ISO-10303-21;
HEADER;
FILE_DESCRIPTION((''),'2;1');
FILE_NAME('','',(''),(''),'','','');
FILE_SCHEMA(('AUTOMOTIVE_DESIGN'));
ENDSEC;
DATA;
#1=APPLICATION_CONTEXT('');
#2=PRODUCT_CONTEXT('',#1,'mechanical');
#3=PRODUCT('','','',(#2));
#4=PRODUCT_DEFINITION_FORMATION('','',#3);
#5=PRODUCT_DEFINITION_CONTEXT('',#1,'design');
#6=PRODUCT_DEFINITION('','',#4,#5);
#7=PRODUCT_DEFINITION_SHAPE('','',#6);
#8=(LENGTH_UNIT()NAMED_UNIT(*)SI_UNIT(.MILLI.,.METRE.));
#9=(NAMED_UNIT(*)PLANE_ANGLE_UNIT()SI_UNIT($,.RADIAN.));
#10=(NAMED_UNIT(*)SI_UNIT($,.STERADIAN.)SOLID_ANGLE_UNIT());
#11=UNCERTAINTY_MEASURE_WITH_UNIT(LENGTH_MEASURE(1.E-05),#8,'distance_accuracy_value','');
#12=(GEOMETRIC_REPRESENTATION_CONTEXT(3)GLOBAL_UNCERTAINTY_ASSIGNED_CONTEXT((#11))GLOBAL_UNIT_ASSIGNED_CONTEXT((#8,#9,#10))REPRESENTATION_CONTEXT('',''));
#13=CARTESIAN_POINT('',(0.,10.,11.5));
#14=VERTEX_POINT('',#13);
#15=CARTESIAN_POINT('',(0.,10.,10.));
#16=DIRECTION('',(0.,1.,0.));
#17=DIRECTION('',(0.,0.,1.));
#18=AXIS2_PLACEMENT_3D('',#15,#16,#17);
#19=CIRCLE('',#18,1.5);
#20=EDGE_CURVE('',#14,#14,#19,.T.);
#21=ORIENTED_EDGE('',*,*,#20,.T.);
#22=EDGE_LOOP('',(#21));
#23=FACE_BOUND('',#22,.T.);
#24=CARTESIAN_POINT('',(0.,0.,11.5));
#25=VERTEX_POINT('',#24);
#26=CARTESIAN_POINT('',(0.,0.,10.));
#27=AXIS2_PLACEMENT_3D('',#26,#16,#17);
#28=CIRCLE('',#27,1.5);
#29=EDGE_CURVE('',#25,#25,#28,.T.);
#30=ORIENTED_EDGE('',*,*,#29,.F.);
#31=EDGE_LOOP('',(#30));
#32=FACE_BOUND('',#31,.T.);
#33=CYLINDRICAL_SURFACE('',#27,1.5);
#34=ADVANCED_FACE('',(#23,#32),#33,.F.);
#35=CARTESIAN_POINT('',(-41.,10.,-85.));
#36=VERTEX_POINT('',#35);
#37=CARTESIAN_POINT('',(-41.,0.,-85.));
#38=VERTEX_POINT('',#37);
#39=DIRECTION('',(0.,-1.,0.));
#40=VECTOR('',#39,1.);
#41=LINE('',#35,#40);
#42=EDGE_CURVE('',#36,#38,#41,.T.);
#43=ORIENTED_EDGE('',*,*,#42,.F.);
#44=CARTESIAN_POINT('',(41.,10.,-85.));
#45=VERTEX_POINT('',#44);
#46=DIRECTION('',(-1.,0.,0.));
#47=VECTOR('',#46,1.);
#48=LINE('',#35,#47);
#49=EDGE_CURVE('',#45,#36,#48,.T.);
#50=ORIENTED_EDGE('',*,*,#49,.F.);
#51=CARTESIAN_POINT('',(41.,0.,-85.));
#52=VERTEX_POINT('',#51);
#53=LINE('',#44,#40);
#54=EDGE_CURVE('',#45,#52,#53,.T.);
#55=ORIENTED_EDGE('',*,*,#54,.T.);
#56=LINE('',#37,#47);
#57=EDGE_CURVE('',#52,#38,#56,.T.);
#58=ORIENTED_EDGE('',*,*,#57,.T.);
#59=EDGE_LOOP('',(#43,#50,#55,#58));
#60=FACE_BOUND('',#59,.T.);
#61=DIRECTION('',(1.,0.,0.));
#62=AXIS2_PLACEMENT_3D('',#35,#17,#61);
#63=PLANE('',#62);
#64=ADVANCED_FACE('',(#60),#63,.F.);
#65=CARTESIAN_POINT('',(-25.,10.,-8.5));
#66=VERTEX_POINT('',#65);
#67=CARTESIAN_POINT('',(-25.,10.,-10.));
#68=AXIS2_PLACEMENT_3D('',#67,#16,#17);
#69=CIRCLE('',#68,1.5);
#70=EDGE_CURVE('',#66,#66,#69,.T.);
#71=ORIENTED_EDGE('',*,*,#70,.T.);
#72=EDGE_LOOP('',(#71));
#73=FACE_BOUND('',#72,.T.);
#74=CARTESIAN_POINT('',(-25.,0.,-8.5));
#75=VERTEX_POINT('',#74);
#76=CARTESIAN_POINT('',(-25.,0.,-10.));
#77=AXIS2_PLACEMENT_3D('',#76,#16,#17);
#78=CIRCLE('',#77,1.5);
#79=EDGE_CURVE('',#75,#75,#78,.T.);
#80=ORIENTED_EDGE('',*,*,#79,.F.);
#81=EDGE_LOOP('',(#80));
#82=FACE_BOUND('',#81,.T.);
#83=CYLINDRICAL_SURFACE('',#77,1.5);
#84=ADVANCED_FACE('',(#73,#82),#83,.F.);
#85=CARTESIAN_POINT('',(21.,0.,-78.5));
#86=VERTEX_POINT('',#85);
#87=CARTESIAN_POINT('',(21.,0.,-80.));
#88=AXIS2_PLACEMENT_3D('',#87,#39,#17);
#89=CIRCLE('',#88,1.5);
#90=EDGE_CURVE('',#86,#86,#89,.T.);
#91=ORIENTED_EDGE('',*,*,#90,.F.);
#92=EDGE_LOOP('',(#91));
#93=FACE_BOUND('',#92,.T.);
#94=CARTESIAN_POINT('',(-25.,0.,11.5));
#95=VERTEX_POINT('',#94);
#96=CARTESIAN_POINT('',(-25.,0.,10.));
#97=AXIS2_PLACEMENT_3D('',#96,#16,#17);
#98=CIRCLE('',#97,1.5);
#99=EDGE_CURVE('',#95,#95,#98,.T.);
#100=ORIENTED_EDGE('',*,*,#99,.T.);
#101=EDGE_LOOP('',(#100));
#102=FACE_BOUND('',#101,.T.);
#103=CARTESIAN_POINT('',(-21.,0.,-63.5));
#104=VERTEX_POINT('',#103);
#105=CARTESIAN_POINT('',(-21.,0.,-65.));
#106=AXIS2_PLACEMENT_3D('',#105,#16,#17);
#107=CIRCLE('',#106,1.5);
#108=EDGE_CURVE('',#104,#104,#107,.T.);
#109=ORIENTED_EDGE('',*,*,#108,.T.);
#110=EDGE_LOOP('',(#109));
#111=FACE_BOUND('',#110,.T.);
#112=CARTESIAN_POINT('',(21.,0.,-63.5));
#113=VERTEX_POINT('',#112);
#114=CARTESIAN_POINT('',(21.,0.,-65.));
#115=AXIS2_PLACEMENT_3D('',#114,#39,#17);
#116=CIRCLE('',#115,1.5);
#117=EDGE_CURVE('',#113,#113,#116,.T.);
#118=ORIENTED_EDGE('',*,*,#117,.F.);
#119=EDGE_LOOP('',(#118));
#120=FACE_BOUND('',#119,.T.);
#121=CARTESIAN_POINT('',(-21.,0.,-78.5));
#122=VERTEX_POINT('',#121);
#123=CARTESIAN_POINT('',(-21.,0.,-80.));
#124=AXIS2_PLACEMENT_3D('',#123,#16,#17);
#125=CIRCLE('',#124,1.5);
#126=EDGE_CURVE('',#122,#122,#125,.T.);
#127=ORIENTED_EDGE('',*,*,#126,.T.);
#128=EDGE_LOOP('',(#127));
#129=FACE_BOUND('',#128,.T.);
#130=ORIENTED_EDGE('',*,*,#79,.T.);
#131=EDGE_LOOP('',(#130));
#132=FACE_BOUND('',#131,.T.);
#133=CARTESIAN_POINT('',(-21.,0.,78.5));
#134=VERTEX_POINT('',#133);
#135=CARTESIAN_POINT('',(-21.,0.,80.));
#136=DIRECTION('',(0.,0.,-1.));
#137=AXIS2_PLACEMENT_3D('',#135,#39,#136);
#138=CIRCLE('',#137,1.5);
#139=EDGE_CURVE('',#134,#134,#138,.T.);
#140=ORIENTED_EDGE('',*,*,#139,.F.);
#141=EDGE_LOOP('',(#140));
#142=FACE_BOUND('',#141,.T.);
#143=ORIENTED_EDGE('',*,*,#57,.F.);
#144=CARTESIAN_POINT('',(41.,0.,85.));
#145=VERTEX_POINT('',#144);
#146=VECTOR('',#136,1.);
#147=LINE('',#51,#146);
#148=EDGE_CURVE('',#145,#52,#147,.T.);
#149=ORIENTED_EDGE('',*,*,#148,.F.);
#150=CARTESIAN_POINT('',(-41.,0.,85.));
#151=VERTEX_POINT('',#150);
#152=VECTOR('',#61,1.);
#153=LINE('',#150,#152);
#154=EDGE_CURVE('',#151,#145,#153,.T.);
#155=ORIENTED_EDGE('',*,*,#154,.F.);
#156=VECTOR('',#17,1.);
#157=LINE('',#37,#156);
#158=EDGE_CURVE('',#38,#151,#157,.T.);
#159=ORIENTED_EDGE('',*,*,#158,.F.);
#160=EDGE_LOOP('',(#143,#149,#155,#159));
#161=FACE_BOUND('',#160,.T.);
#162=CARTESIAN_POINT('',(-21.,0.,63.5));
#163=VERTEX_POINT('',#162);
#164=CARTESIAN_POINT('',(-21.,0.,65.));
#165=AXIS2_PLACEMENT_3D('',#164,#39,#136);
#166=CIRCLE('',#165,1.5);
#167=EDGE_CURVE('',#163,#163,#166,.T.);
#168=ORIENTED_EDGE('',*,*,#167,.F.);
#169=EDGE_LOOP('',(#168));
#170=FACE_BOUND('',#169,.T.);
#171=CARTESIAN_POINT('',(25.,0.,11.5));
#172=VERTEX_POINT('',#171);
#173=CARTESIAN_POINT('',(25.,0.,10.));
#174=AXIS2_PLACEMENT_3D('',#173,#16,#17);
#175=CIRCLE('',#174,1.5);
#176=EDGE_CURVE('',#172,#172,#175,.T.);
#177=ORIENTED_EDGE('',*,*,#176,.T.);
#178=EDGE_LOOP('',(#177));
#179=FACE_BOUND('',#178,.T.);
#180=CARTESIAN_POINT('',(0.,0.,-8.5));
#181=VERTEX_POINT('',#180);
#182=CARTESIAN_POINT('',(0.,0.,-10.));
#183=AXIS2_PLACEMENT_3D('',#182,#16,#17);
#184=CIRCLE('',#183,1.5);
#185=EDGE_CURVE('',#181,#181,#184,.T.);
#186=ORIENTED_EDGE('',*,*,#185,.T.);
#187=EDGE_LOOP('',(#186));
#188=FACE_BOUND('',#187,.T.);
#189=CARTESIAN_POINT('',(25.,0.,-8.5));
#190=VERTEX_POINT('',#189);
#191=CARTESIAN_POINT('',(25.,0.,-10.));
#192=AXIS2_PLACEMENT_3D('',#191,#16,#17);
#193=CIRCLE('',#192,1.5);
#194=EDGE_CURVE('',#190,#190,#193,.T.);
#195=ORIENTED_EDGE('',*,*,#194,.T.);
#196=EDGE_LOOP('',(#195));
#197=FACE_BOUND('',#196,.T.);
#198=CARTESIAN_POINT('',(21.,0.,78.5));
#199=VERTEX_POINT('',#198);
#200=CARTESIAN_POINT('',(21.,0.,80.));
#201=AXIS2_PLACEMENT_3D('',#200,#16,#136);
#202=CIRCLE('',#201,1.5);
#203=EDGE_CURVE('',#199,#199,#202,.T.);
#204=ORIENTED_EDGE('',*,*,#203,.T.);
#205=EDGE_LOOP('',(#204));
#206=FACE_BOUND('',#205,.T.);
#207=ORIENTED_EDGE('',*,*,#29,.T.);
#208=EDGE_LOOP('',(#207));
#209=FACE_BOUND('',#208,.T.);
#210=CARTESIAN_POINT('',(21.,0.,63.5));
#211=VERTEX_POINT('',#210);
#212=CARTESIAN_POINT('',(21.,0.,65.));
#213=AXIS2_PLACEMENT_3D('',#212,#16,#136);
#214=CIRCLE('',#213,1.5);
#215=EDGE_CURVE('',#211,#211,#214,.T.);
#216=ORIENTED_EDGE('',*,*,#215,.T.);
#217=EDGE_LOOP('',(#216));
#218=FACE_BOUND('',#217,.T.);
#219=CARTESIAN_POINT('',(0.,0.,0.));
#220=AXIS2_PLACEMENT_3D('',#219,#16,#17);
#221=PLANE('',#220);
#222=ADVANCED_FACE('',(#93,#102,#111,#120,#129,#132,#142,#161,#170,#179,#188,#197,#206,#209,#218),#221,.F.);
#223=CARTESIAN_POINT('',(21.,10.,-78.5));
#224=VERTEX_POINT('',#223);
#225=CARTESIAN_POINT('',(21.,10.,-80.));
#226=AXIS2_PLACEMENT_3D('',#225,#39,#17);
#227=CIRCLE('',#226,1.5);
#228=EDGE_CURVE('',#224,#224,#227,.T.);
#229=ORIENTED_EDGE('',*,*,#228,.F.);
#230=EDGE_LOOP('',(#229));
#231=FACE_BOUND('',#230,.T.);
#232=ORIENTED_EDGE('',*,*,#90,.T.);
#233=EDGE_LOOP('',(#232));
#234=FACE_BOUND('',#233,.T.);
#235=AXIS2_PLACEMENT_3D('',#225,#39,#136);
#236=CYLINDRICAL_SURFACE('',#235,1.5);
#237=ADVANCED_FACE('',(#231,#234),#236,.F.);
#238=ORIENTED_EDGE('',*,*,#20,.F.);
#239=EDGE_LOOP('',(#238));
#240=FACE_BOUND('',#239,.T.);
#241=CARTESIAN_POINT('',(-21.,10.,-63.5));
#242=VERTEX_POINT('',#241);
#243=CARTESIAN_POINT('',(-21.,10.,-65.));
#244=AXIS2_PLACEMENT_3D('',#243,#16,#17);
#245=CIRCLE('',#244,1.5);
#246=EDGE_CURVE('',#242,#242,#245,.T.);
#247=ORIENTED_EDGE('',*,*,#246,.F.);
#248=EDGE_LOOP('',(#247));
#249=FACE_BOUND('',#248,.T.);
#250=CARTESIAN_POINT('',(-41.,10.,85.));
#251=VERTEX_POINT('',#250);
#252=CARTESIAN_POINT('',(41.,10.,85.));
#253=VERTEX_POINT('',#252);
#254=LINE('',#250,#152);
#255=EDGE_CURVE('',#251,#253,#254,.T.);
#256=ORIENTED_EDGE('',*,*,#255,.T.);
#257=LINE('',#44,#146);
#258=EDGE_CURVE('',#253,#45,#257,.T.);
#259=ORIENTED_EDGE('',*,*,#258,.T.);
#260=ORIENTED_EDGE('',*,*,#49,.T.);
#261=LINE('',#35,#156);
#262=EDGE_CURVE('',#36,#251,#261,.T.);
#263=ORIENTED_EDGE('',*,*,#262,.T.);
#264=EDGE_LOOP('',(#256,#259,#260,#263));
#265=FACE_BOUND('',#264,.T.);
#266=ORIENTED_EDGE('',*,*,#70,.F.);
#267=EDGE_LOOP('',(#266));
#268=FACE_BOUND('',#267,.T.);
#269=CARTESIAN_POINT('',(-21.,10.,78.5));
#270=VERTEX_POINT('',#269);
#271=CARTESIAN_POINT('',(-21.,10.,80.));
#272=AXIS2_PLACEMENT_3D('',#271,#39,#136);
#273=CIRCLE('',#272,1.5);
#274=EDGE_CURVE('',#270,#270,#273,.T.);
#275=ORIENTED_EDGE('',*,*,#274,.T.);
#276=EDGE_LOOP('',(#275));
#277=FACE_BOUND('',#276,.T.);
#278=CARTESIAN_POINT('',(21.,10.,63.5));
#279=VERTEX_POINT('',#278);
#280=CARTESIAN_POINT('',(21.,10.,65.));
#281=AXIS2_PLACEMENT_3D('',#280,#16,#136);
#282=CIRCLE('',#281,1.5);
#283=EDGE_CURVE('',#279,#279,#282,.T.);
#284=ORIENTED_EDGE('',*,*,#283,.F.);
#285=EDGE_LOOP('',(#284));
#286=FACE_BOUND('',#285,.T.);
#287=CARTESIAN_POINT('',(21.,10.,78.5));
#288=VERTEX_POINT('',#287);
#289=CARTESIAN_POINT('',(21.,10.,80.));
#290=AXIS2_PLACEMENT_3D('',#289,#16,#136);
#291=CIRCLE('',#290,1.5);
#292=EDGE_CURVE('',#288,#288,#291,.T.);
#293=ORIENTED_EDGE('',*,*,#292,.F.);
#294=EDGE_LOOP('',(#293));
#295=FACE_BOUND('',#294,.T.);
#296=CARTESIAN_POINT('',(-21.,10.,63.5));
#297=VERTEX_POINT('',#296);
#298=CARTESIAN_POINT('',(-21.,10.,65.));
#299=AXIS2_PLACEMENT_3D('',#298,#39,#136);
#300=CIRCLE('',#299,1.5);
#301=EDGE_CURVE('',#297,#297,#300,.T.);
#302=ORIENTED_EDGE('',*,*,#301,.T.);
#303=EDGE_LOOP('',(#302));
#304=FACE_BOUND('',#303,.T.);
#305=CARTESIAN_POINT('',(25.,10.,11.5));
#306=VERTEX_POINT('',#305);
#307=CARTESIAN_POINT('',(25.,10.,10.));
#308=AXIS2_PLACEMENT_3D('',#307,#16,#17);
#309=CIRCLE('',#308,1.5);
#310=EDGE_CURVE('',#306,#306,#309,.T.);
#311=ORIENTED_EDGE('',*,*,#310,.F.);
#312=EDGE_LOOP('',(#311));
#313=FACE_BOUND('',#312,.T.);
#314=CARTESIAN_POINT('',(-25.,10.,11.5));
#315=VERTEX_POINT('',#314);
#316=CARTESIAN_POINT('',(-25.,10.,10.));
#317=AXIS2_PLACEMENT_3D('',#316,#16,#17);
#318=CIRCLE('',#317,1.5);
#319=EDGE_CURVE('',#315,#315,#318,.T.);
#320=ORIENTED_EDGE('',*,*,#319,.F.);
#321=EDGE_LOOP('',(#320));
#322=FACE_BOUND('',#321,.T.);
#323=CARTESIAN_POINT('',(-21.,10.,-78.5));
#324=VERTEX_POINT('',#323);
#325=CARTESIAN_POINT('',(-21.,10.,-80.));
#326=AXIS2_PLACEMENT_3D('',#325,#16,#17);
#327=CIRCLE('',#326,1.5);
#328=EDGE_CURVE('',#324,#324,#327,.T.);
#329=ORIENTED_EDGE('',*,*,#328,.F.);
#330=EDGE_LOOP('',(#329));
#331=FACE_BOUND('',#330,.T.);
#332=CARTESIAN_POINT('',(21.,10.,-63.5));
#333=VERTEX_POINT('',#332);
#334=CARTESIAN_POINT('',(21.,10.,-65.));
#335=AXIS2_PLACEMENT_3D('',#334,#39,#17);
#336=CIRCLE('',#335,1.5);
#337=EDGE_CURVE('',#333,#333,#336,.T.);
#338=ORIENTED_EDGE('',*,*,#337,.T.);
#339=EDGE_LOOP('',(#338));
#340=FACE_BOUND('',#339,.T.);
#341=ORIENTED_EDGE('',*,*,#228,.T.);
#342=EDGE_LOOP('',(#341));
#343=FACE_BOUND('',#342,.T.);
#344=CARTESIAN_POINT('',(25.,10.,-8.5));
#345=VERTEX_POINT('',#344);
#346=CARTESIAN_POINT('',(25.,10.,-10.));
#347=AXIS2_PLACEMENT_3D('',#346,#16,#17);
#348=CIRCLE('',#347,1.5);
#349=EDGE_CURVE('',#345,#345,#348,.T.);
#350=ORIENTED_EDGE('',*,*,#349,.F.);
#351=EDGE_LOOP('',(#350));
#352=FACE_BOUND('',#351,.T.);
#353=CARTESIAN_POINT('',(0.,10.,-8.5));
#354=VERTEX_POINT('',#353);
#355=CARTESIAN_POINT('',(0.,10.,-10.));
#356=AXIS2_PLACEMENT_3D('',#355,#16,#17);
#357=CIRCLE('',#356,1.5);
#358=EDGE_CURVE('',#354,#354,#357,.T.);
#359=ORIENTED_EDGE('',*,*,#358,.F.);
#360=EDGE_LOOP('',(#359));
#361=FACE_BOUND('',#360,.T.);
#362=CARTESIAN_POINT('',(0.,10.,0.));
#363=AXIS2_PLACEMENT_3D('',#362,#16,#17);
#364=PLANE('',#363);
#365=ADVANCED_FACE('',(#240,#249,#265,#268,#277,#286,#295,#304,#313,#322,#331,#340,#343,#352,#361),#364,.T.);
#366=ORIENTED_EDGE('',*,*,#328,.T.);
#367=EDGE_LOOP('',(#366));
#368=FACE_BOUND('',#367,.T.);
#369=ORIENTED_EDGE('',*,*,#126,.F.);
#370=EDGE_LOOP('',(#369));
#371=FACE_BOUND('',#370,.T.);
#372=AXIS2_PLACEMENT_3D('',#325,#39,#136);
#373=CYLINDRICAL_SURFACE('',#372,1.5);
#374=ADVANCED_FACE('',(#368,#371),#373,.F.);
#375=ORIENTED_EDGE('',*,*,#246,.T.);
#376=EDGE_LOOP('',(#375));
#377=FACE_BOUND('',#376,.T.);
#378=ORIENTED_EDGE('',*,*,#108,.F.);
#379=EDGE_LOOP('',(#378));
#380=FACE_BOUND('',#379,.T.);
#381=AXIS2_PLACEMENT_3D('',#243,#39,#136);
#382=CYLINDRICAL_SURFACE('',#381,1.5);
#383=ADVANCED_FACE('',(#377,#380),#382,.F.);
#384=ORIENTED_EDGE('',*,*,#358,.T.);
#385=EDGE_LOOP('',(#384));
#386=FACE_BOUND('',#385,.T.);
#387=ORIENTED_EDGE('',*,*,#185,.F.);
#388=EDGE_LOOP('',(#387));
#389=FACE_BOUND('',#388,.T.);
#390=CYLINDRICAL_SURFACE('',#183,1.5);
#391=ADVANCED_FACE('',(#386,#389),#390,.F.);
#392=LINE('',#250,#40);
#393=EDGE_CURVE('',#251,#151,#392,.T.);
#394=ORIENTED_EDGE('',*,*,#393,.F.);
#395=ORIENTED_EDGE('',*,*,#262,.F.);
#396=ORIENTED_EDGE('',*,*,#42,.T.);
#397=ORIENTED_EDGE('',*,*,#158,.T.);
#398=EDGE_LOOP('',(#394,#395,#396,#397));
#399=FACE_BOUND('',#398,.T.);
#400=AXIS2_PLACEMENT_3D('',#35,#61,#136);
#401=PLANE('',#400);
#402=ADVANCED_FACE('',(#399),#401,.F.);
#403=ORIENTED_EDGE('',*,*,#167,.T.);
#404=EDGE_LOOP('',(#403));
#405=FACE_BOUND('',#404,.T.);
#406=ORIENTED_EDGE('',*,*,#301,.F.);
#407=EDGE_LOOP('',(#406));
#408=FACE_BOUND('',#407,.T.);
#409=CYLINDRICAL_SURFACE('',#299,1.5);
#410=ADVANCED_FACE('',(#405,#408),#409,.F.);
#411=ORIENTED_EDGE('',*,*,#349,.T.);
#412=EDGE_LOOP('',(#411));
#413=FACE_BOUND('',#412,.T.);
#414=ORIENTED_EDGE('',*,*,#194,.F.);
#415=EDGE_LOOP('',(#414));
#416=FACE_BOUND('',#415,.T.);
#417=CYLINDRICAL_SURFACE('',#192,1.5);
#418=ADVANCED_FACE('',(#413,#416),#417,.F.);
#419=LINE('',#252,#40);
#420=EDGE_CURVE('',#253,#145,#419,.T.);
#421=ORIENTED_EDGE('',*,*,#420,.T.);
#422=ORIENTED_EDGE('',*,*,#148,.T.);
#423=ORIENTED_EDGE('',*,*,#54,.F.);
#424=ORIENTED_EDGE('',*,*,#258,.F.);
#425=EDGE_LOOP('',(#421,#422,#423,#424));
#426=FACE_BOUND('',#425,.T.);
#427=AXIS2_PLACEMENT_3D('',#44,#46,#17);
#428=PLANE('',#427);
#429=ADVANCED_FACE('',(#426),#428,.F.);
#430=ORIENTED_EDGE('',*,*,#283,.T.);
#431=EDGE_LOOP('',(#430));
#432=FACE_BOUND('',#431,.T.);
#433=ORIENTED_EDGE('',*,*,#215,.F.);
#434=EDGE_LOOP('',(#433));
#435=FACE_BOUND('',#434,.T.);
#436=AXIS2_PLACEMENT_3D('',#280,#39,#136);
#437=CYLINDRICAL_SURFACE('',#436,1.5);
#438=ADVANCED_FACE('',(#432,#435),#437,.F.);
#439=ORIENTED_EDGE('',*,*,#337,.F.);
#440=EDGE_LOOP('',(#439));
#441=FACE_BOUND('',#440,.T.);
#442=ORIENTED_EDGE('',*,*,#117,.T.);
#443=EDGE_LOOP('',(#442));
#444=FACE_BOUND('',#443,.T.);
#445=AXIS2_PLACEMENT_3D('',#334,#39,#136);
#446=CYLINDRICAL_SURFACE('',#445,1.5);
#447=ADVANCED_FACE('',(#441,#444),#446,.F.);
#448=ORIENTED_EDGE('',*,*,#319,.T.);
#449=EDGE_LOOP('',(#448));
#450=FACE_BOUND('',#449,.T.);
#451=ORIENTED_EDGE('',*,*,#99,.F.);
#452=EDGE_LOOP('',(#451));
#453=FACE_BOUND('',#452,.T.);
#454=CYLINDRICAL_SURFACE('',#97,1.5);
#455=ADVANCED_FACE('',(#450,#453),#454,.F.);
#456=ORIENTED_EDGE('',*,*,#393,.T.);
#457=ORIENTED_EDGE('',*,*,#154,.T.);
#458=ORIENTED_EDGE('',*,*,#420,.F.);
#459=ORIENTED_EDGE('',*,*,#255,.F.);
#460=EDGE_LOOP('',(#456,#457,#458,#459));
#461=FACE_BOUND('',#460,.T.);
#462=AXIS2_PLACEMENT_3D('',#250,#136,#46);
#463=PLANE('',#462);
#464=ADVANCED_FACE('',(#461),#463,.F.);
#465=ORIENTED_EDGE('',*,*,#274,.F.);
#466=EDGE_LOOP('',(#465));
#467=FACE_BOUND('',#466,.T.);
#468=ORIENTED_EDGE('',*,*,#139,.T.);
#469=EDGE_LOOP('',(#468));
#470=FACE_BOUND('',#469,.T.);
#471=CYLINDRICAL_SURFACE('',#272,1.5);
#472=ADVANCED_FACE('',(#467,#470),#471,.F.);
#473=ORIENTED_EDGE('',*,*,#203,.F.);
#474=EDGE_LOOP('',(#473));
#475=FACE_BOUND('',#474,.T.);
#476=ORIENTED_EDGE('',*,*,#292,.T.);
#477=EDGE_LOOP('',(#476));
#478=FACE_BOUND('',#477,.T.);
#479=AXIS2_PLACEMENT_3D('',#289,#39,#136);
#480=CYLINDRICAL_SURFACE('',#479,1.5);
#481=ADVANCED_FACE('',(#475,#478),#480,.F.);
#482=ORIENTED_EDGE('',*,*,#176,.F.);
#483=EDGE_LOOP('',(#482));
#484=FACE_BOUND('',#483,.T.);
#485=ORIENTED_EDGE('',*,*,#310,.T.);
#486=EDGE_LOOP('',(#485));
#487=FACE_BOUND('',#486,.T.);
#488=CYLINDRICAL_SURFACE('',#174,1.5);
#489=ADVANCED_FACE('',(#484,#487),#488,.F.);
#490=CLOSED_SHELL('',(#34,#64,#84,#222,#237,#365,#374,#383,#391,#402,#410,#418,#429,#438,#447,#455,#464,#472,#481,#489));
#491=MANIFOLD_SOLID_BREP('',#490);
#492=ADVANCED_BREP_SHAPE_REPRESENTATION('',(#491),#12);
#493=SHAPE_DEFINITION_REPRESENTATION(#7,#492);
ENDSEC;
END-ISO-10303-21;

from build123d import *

# Parameters (mm, degrees)
SKETCH_1_W               = 82
SKETCH_1_H               = 170
EXTRUDE_1_DEPTH          = 10
SKETCH_2_R               = 1.5
CUT_EXTRUDE_1_DEPTH      = 95.899947313
SKETCH_3_R               = 1.5
CUT_EXTRUDE_2_DEPTH      = 10
MIRROR_2_COPY_1_SKETCH_R = 1.5
MIRROR_2_COPY_1_DEPTH    = 10


with BuildPart() as part:
    # 草图1 → 凸台-拉伸1 (new body)
    with BuildSketch(Plane(origin=(0, 0, 0), x_dir=(1, 0, 0), z_dir=(0, 1, 0))):
        Rectangle(SKETCH_1_W, SKETCH_1_H)
    extrude(amount=EXTRUDE_1_DEPTH)

    # 草图2 → 切除-拉伸1 (cut, through all)
    with BuildSketch(Plane(origin=(0, 10, 0), x_dir=(1, 0, 0), z_dir=(0, 1, 0))):
        with Locations(Location((-25, 10, 0), (0, 0, 270))):
            Circle(SKETCH_2_R)
        with Locations(Location((0, 10, 0), (0, 0, 270))):
            Circle(SKETCH_2_R)
        with Locations(Location((25, 10, 0), (0, 0, 270))):
            Circle(SKETCH_2_R)
        with Locations(Location((-25, -10, 0), (0, 0, 270))):
            Circle(SKETCH_2_R)
        with Locations(Location((0, -10, 0), (0, 0, 270))):
            Circle(SKETCH_2_R)
        with Locations(Location((25, -10, 0), (0, 0, 270))):
            Circle(SKETCH_2_R)
    extrude(amount=-CUT_EXTRUDE_1_DEPTH, mode=Mode.SUBTRACT)

    # 草图3 → 切除-拉伸2 (cut)
    with BuildSketch(Plane.XZ):
        with Locations(Location((-21, 80, 0), (0, 0, 270))):
            Circle(SKETCH_3_R)
        with Locations(Location((-21, 65, 0), (0, 0, 270))):
            Circle(SKETCH_3_R)
    cut_extrude_2 = extrude(amount=-CUT_EXTRUDE_2_DEPTH, mode=Mode.SUBTRACT)

    # 镜向1: 切除-拉伸2 across plane
    add(cut_extrude_2.mirror(Plane.XY), mode=Mode.SUBTRACT)

    # 镜向2: 切除-拉伸2 across plane
    add(cut_extrude_2.mirror(Plane(origin=(0, 0, 0), x_dir=(0, 0, 1), z_dir=(1, 0, 0))), mode=Mode.SUBTRACT)

    # 镜向2 copy 1 sketch → 镜向2 copy 1 (cut)
    with BuildSketch(Plane(origin=(0, 0, 0), x_dir=(-1, 0, 0), z_dir=(0, -1, 0))):
        with Locations(Location((-21, 80, 0), (0, 0, 270))):
            Circle(MIRROR_2_COPY_1_SKETCH_R)
        with Locations(Location((-21, 65, 0), (0, 0, 270))):
            Circle(MIRROR_2_COPY_1_SKETCH_R)
    extrude(amount=-MIRROR_2_COPY_1_DEPTH, mode=Mode.SUBTRACT)


solid = part.part
